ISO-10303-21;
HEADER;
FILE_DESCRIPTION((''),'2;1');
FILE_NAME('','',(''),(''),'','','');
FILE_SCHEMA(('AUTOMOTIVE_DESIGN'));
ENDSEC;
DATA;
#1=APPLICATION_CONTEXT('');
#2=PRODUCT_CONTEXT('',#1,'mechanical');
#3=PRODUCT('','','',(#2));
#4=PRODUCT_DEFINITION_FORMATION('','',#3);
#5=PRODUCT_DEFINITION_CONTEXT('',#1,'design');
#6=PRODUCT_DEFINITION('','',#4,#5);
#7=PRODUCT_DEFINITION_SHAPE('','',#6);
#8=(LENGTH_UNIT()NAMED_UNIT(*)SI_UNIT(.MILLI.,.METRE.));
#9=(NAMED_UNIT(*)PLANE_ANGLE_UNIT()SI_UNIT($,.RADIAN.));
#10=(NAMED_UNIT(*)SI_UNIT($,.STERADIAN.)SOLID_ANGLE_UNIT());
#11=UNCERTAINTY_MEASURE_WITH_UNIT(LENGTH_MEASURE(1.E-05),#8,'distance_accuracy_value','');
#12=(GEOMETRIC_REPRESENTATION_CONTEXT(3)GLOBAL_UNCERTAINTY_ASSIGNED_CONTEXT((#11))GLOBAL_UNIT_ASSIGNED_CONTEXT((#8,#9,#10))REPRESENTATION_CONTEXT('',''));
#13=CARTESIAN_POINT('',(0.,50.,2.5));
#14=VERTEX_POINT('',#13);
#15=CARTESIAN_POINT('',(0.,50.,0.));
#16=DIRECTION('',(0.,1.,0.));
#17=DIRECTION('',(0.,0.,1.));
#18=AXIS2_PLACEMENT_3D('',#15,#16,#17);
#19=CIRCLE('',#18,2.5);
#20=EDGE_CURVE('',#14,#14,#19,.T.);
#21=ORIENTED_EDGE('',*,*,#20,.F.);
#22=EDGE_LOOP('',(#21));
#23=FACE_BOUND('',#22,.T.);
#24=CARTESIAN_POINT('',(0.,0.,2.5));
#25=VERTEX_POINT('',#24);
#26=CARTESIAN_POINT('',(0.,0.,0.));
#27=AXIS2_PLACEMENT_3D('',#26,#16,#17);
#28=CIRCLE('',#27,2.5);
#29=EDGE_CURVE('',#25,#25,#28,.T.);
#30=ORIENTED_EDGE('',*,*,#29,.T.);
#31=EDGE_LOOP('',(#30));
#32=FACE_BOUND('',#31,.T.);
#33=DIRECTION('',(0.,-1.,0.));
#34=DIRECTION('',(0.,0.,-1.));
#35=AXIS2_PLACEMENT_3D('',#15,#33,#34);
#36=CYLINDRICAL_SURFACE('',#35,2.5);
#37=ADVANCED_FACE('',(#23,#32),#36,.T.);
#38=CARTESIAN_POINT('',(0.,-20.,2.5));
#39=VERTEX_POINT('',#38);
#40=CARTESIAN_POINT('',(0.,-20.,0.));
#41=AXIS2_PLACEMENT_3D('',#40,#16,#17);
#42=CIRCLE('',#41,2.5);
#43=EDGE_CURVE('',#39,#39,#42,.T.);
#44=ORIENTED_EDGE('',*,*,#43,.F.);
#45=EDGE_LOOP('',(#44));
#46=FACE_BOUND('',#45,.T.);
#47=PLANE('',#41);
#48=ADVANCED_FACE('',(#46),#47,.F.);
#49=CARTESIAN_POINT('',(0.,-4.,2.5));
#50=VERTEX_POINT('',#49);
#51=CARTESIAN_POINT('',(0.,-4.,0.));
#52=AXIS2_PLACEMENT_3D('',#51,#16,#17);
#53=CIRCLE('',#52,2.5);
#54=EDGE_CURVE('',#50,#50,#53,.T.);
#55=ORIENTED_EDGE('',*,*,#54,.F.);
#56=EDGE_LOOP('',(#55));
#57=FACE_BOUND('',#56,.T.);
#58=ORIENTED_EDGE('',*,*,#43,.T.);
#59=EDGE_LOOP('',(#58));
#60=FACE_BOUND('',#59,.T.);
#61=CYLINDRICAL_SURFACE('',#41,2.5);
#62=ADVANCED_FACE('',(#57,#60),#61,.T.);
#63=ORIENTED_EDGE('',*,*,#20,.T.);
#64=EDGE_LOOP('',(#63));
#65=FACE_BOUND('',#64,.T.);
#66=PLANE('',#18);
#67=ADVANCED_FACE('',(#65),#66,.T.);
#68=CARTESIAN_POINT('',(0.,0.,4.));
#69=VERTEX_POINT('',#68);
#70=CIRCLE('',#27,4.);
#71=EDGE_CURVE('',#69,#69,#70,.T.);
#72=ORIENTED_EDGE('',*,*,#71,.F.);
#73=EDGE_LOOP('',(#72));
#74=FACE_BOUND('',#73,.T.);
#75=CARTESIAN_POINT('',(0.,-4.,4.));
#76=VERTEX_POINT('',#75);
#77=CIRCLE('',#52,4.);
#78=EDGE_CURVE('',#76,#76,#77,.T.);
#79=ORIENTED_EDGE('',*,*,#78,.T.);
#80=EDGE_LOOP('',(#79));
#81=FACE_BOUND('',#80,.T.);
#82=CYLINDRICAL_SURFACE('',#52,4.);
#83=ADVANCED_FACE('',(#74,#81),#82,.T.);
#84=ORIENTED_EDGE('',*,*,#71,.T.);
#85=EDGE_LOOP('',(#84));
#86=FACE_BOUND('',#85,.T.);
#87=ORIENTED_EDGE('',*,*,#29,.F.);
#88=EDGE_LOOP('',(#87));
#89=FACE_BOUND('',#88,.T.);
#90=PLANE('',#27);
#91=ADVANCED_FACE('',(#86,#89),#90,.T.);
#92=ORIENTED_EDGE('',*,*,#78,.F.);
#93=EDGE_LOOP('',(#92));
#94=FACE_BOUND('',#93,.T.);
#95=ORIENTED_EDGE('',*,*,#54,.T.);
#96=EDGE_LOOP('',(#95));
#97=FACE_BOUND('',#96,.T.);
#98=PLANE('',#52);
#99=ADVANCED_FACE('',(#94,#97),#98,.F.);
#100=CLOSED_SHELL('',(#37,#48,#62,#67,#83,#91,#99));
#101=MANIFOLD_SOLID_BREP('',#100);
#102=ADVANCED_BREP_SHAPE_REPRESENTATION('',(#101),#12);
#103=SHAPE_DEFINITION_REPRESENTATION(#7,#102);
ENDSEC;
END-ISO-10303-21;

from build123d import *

# Parameters (mm, degrees)
SKETCH1_R           = 2.5
BOSS_EXTRUDE1_DEPTH = 50
SKETCH2_R           = 4
BOSS_EXTRUDE2_DEPTH = 4
BOSS_EXTRUDE3_START = -20
SKETCH3_R           = 2.5
BOSS_EXTRUDE3_DEPTH = 20


with BuildPart() as part:
    # Sketch1 → Boss-Extrude1 (new body)
    with BuildSketch(Plane(origin=(0, 0, 0), x_dir=(1, 0, 0), z_dir=(0, 1, 0))):
        with Locations(Location((0, 0, 0), (0, 0, 270))):
            Circle(SKETCH1_R)
    extrude(amount=BOSS_EXTRUDE1_DEPTH)

    # Sketch2 → Boss-Extrude2 (add)
    with BuildSketch(Plane(origin=(0, 0, 0), x_dir=(1, 0, 0), z_dir=(0, 1, 0))):
        with Locations(Location((0, 0, 0), (0, 0, 270))):
            Circle(SKETCH2_R)
    extrude(amount=-BOSS_EXTRUDE2_DEPTH)

    # Sketch3 → Boss-Extrude3 (add)
    with BuildSketch(Plane(origin=(0, 0, 0), x_dir=(1, 0, 0), z_dir=(0, 1, 0)).offset(BOSS_EXTRUDE3_START)):
        with Locations(Location((0, 0, 0), (0, 0, 270))):
            Circle(SKETCH3_R)
    extrude(amount=BOSS_EXTRUDE3_DEPTH)


solid = part.part
